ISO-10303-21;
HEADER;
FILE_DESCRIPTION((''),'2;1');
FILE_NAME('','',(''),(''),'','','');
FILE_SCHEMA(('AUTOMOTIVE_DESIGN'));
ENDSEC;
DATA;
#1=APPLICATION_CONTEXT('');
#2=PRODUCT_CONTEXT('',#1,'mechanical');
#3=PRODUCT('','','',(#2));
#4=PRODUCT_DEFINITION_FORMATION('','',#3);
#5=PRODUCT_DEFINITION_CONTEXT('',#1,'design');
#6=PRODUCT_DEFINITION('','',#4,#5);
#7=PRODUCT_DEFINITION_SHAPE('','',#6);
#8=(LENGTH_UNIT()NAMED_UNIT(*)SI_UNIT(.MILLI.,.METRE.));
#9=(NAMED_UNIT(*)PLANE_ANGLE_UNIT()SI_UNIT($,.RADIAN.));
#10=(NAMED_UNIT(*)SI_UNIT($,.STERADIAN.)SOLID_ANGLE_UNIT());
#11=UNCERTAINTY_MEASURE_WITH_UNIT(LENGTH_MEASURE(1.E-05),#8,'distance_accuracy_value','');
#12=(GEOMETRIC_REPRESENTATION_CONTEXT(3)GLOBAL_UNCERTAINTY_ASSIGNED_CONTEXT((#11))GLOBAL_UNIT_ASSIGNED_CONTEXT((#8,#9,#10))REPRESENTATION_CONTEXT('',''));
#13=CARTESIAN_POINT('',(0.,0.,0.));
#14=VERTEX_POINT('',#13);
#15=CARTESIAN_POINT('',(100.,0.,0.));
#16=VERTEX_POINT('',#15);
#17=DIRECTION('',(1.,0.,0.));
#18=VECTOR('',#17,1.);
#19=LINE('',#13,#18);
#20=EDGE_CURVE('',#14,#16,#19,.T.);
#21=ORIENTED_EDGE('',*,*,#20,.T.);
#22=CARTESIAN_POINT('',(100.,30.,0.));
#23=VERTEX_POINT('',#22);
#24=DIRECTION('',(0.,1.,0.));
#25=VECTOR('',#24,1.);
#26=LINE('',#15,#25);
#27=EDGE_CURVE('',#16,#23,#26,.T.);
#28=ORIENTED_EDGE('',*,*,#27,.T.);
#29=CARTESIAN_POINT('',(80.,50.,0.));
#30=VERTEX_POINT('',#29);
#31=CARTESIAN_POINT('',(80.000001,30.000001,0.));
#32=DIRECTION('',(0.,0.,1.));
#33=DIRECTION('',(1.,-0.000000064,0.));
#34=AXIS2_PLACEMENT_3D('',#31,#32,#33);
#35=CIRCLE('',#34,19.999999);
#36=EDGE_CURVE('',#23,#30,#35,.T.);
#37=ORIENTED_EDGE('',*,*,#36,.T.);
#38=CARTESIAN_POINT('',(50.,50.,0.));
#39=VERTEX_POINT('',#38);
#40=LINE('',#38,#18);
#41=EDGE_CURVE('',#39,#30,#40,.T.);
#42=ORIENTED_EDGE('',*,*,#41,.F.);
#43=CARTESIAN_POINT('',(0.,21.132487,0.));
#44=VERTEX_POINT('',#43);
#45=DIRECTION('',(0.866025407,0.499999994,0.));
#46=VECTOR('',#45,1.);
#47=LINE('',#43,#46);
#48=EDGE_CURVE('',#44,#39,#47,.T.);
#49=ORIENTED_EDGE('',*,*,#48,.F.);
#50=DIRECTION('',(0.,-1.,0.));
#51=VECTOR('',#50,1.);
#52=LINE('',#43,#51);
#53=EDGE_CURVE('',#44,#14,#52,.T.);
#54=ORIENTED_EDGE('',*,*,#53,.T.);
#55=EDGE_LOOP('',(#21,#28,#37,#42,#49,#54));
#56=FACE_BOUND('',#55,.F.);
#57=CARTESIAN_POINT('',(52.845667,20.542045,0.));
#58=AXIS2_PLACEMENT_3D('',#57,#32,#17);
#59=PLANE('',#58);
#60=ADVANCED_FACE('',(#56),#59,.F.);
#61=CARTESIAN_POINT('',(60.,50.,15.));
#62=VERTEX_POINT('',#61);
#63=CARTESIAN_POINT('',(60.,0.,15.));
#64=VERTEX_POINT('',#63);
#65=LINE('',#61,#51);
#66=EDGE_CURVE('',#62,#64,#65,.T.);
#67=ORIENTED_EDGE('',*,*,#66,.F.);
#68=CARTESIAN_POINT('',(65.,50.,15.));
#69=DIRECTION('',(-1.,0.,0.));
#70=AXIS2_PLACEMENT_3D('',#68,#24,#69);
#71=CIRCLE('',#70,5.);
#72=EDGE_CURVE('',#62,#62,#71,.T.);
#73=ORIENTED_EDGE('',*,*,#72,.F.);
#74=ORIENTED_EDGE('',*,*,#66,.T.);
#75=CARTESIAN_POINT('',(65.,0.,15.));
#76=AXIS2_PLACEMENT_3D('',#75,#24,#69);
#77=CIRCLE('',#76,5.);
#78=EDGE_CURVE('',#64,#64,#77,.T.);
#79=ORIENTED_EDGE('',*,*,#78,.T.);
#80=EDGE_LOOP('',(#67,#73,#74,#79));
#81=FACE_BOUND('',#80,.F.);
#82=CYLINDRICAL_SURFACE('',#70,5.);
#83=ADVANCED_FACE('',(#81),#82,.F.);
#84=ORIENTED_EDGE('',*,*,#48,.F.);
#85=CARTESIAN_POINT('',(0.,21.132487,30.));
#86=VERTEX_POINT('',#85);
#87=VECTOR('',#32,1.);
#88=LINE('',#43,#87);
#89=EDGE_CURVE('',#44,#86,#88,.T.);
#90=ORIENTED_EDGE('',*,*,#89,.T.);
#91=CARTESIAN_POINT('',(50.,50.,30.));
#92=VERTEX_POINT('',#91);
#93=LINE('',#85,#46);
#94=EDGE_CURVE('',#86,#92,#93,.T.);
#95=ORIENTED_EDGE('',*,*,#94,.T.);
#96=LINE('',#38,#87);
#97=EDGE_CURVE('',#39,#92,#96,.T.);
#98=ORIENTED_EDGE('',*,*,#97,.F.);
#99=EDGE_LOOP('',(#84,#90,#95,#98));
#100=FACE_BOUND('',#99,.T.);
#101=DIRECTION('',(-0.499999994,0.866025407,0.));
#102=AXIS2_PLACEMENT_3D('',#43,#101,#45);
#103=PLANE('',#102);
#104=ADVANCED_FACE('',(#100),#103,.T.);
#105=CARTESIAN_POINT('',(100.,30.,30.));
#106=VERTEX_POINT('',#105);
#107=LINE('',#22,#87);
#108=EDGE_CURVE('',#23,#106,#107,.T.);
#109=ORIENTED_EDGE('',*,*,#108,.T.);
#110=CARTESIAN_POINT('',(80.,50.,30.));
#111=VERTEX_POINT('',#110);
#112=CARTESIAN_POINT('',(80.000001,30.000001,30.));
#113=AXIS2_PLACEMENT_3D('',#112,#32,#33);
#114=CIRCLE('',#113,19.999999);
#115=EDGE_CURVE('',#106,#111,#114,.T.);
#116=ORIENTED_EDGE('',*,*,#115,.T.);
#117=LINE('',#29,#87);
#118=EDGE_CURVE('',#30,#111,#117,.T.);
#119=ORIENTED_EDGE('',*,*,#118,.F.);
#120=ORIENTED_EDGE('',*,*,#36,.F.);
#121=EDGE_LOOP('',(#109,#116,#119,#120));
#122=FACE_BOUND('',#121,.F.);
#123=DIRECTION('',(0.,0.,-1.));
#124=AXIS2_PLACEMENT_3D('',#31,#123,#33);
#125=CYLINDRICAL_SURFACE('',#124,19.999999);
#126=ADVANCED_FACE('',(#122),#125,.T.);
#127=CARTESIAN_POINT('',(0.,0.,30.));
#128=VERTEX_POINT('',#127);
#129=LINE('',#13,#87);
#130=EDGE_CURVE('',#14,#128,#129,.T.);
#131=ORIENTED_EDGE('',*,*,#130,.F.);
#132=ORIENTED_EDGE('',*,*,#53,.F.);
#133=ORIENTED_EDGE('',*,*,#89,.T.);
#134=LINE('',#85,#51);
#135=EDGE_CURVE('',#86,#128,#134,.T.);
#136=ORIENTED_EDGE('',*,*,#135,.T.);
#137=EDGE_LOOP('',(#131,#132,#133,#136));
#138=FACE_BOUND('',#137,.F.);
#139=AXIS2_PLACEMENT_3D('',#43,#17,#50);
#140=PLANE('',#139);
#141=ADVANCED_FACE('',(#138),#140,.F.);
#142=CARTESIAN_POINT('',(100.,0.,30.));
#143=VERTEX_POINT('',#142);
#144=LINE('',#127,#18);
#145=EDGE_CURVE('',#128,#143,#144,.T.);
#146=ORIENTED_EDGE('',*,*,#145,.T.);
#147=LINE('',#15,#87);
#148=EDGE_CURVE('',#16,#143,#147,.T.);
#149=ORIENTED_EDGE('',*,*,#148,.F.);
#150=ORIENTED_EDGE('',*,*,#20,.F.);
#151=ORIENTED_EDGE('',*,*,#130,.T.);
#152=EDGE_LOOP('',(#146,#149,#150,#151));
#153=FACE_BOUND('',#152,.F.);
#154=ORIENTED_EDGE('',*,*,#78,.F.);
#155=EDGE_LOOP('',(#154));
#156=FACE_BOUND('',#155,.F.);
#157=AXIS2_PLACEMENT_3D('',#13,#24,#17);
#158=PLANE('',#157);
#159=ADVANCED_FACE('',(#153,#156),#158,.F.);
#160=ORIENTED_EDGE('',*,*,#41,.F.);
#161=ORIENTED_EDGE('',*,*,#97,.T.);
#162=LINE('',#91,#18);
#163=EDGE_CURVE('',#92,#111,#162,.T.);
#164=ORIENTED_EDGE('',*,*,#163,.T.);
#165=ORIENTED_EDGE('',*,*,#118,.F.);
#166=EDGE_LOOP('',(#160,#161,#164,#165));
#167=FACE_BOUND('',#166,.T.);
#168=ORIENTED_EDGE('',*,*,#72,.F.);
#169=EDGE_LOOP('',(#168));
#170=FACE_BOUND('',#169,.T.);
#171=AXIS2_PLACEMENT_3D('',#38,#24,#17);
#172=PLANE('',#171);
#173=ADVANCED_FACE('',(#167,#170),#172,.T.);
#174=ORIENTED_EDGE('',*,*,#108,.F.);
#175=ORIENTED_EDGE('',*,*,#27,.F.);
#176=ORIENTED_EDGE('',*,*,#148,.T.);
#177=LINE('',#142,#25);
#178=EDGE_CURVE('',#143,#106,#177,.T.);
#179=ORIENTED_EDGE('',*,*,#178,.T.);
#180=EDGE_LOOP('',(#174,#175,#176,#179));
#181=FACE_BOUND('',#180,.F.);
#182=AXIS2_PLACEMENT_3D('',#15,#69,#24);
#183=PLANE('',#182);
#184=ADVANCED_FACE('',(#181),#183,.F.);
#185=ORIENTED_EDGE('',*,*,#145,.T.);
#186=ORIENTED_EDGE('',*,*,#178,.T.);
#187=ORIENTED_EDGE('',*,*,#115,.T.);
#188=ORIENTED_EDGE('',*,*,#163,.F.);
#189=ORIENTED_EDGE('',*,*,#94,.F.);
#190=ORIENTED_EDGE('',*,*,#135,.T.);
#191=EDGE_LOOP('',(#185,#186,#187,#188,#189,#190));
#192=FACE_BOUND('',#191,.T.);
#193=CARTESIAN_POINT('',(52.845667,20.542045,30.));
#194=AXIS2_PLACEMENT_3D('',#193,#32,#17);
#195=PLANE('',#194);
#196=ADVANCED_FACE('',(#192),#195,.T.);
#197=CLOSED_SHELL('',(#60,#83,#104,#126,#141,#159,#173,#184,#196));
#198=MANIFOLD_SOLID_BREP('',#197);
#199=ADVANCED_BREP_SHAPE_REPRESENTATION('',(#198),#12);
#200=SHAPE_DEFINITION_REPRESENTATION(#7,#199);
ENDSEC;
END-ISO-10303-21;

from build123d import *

# Parameters (mm, degrees)
PAD_DEPTH    = 30
SKETCH001_R  = 5
POCKET_DEPTH = 50


with BuildPart() as part:
    # Sketch → Pad (new body)
    with BuildSketch(Plane.XY):
        with BuildLine():
            Line((0, 0), (100, 0))
            Line((100, 0), (100, 30))
            ThreePointArc((100, 30), (94.142136, 44.142136), (80, 50))
            Line((50, 50), (80, 50))
            Line((0, 21.132487), (50, 50))
            Line((0, 21.132487), (0, 0))
        make_face()
    extrude(amount=PAD_DEPTH)

    # Sketch001 (on Face4 of Pad) → Pocket (cut)
    with BuildSketch(Plane(origin=(0, 50, 0), x_dir=(-1, 0, 0), z_dir=(0, 1, 0))):
        with Locations((-65, 15)):
            Circle(SKETCH001_R)
    extrude(amount=-POCKET_DEPTH, mode=Mode.SUBTRACT)


solid = part.part
